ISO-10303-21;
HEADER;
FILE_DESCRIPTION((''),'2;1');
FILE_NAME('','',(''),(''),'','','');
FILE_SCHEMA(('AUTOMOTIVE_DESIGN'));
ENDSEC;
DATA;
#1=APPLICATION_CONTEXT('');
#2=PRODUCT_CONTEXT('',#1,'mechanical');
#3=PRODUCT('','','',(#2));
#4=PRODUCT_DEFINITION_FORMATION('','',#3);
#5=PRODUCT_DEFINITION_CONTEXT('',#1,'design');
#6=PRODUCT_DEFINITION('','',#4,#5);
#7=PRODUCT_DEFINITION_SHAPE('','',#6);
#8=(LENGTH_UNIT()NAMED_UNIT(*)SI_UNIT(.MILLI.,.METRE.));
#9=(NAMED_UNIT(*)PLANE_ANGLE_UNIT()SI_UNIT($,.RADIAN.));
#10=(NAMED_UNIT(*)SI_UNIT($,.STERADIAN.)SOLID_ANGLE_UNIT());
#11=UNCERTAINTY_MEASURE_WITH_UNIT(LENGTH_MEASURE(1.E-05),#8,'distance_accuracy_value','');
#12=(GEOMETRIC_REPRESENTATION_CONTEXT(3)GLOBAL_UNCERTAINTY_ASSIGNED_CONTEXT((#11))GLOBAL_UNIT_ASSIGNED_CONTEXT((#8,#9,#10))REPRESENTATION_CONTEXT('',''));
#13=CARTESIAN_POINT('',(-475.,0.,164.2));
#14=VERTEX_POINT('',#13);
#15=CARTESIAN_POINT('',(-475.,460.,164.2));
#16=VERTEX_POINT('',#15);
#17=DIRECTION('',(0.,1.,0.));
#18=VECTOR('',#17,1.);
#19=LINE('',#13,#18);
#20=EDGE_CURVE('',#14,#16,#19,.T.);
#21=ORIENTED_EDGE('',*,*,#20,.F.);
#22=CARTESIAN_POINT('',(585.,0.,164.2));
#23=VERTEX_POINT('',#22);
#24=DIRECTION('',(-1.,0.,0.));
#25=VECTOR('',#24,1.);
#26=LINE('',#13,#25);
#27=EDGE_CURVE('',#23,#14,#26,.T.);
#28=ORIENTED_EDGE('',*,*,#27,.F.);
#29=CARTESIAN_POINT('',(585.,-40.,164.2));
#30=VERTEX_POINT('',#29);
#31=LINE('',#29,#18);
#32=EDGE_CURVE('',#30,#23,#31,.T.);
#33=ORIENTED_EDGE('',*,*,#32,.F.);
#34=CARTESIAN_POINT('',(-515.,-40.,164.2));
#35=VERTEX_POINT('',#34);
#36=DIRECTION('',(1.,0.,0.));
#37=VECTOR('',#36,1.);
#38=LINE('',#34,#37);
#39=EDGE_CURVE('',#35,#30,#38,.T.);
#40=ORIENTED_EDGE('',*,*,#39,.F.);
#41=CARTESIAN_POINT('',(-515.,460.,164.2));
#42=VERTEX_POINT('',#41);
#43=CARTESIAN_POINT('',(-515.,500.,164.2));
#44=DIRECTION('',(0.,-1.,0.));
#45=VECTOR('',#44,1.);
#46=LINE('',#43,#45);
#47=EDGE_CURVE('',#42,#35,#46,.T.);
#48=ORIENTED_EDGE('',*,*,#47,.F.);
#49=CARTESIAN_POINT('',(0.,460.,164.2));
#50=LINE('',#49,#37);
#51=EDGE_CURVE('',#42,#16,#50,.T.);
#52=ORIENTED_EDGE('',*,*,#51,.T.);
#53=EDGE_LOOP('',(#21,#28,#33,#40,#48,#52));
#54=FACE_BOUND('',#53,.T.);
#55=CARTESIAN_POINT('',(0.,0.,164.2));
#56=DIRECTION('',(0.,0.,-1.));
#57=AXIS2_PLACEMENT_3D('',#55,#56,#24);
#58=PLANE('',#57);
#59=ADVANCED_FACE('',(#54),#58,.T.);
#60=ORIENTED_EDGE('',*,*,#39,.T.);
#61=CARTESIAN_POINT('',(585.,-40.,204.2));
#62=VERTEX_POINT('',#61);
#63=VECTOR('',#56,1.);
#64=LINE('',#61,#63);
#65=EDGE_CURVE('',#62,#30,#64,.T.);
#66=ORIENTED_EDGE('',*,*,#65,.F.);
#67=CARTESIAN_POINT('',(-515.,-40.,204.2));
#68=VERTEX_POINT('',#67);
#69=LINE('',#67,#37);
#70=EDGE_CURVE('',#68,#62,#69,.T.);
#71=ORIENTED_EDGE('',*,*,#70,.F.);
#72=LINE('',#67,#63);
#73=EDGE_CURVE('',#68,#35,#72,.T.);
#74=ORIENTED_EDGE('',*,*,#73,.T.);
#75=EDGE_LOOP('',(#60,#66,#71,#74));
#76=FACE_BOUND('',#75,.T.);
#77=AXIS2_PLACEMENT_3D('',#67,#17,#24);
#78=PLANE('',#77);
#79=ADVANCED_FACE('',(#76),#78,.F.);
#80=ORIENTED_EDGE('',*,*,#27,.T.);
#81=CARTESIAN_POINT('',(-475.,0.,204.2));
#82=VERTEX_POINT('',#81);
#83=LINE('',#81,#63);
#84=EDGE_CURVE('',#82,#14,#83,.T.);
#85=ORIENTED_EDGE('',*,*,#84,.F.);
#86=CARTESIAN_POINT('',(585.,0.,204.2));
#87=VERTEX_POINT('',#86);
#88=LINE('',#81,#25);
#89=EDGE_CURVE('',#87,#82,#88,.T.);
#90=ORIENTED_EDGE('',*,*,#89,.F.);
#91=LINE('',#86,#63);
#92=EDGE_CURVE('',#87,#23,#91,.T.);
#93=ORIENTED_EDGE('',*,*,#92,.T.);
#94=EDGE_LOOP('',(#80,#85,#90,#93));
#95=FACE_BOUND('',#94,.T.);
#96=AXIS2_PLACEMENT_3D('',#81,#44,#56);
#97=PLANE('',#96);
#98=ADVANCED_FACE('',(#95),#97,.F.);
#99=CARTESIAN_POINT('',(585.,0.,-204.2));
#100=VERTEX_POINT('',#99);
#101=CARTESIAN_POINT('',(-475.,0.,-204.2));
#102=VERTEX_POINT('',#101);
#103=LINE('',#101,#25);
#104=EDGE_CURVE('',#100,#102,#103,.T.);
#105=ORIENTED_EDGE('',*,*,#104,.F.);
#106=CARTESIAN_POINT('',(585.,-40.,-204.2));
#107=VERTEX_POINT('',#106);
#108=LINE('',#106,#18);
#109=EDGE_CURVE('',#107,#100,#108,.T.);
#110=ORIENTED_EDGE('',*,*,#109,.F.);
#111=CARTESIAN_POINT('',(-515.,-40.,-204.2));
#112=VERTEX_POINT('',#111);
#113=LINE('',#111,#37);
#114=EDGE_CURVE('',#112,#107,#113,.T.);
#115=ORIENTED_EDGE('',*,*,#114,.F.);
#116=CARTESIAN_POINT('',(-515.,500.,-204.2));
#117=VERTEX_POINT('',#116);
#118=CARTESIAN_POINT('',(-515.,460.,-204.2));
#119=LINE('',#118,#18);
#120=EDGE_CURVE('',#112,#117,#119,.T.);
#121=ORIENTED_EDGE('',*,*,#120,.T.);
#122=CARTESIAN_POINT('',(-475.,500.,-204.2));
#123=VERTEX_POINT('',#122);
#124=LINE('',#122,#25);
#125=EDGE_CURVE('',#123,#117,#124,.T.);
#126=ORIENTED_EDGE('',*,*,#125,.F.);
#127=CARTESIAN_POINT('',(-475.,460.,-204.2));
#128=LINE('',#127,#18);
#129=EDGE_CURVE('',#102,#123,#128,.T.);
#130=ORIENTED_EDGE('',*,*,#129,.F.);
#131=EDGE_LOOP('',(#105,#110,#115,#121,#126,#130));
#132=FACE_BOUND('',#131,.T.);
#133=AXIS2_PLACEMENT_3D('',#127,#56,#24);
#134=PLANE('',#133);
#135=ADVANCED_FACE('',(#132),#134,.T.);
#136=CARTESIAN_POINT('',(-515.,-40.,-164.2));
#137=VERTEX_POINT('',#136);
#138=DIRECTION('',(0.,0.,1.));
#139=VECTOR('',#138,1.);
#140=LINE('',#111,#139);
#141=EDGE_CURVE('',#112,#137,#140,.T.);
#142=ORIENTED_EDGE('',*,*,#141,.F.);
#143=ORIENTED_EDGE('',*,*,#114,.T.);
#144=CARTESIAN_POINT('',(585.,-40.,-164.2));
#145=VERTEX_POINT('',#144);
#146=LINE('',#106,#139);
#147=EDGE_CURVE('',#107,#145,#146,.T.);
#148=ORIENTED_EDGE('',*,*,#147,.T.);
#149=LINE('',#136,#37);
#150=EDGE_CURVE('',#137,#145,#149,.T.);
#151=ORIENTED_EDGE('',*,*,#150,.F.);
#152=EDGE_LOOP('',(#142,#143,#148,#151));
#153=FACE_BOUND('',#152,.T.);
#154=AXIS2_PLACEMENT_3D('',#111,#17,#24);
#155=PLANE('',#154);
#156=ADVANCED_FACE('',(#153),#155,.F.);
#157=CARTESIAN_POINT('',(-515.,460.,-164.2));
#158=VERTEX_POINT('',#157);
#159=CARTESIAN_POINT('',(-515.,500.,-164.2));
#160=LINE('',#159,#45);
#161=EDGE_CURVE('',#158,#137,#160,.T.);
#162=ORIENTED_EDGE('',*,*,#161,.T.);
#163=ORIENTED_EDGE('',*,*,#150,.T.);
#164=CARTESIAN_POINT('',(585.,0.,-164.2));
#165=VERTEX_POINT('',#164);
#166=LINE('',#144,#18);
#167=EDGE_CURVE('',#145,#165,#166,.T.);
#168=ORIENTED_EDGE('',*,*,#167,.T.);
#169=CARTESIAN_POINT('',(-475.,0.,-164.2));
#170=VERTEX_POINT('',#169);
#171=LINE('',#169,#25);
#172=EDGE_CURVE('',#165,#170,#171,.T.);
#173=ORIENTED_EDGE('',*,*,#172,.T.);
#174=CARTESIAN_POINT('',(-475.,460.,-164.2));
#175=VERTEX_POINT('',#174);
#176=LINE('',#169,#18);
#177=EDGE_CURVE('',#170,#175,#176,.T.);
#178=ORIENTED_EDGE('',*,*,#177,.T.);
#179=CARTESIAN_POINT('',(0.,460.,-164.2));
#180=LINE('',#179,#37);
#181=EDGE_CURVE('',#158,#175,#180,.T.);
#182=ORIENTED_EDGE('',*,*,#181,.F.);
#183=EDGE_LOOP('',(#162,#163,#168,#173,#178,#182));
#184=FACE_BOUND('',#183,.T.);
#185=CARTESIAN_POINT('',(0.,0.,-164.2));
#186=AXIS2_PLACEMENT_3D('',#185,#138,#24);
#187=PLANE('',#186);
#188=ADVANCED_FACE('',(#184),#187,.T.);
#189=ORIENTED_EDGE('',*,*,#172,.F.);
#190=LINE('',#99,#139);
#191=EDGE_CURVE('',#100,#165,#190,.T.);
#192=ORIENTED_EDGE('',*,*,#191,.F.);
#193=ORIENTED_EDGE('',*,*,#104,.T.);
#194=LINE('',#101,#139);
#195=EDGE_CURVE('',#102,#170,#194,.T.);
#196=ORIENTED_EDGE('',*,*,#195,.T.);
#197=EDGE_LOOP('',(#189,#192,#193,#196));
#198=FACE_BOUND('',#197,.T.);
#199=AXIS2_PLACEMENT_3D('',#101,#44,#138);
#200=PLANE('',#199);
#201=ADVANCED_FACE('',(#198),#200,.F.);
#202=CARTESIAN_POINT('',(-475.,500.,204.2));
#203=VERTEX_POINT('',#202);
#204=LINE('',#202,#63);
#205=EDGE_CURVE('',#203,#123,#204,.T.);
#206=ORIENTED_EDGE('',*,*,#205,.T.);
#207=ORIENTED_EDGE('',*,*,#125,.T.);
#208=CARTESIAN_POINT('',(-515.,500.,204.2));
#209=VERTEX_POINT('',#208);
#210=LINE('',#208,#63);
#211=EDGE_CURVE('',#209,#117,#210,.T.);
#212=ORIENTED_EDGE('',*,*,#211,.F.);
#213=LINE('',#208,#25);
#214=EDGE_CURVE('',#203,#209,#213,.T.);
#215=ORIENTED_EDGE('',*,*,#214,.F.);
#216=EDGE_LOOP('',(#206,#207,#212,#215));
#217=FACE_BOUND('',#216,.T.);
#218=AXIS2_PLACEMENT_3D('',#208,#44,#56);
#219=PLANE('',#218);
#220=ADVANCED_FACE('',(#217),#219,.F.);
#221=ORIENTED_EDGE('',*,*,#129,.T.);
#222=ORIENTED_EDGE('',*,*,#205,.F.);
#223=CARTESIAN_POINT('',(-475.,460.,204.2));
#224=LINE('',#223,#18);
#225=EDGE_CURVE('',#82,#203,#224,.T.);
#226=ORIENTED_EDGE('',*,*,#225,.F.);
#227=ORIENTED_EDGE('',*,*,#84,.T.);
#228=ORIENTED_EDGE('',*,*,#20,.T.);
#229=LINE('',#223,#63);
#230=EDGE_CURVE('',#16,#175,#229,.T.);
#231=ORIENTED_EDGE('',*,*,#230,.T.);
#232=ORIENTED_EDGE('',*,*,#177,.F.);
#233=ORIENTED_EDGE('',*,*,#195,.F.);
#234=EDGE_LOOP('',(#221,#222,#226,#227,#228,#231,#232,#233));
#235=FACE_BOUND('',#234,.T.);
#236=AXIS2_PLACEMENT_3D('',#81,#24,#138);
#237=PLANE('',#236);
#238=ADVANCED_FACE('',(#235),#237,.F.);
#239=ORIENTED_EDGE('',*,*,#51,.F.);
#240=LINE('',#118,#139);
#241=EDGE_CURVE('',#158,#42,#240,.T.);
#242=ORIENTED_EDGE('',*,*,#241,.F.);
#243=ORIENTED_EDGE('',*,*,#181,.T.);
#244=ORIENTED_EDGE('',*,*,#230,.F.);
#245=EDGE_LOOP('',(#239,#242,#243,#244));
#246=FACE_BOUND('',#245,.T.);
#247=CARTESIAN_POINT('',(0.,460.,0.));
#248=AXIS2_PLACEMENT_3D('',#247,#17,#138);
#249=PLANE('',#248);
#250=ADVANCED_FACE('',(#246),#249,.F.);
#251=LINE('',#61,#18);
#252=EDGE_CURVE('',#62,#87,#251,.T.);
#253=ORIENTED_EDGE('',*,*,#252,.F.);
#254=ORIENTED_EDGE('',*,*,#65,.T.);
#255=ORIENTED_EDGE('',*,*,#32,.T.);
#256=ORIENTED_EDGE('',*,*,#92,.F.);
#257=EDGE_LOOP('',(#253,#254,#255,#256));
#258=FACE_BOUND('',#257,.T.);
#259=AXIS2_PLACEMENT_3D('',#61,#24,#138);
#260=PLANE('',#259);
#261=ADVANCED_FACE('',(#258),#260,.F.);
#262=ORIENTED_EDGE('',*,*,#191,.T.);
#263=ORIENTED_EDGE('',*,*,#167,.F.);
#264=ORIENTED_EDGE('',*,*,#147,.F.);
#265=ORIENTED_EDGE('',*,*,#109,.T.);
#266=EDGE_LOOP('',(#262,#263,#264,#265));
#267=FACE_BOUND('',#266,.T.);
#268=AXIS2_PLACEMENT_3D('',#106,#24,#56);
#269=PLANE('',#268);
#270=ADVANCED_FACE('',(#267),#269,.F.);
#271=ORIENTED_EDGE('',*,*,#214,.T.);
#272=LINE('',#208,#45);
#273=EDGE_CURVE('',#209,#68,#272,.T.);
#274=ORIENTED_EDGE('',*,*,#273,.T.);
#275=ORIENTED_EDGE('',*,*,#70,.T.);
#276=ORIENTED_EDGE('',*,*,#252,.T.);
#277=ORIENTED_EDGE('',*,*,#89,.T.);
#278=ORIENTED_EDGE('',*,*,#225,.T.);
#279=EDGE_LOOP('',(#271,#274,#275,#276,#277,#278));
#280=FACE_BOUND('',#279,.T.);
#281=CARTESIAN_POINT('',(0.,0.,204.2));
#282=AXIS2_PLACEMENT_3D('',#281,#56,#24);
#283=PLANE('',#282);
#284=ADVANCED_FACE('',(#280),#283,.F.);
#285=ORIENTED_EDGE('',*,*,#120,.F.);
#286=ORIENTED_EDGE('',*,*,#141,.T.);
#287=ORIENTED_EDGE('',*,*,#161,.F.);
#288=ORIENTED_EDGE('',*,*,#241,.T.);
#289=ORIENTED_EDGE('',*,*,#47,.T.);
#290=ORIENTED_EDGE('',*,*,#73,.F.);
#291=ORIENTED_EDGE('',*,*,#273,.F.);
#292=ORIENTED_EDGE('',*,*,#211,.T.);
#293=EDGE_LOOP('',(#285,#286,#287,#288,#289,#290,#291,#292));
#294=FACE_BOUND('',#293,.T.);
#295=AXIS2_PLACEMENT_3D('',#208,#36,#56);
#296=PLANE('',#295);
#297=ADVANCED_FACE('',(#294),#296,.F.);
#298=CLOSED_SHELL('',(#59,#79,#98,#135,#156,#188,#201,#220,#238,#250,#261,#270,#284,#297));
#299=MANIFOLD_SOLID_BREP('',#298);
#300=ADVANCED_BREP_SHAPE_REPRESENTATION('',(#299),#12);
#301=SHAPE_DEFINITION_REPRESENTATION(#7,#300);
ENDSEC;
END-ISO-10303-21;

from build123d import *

# Parameters (mm, degrees)
EXTRUDE_1_DEPTH = 40
SKETCH_6_W      = 40
SKETCH_6_H      = 408.4
EXTRUDE_2_DEPTH = 40


with BuildPart() as part:
    # 草图2 → 凸台-拉伸1 (new body)
    with BuildSketch(Plane.XY.offset(164.2)):
        Polygon((-475, 0), (585, 0), (585, -40), (-515, -40), (-515, 500), (-475, 500), (-475, 460), align=None)
    extrude(amount=EXTRUDE_1_DEPTH)


with BuildPart() as body_2:
    # 镜向4: mirrored copy
    add(part.part.mirror(Plane.XY))


with BuildPart() as part_1:
    add(part.part)

    add(body_2.part)  # 凸台-拉伸2 merges body 2
    # 草图6 → 凸台-拉伸2 (add)
    with BuildSketch(Plane(origin=(0, 500, 0), x_dir=(1, 0, 0), z_dir=(0, 1, 0))):
        with Locations((-495, 0)):
            Rectangle(SKETCH_6_W, SKETCH_6_H)
    extrude(amount=-EXTRUDE_2_DEPTH)


solid = part_1.part
